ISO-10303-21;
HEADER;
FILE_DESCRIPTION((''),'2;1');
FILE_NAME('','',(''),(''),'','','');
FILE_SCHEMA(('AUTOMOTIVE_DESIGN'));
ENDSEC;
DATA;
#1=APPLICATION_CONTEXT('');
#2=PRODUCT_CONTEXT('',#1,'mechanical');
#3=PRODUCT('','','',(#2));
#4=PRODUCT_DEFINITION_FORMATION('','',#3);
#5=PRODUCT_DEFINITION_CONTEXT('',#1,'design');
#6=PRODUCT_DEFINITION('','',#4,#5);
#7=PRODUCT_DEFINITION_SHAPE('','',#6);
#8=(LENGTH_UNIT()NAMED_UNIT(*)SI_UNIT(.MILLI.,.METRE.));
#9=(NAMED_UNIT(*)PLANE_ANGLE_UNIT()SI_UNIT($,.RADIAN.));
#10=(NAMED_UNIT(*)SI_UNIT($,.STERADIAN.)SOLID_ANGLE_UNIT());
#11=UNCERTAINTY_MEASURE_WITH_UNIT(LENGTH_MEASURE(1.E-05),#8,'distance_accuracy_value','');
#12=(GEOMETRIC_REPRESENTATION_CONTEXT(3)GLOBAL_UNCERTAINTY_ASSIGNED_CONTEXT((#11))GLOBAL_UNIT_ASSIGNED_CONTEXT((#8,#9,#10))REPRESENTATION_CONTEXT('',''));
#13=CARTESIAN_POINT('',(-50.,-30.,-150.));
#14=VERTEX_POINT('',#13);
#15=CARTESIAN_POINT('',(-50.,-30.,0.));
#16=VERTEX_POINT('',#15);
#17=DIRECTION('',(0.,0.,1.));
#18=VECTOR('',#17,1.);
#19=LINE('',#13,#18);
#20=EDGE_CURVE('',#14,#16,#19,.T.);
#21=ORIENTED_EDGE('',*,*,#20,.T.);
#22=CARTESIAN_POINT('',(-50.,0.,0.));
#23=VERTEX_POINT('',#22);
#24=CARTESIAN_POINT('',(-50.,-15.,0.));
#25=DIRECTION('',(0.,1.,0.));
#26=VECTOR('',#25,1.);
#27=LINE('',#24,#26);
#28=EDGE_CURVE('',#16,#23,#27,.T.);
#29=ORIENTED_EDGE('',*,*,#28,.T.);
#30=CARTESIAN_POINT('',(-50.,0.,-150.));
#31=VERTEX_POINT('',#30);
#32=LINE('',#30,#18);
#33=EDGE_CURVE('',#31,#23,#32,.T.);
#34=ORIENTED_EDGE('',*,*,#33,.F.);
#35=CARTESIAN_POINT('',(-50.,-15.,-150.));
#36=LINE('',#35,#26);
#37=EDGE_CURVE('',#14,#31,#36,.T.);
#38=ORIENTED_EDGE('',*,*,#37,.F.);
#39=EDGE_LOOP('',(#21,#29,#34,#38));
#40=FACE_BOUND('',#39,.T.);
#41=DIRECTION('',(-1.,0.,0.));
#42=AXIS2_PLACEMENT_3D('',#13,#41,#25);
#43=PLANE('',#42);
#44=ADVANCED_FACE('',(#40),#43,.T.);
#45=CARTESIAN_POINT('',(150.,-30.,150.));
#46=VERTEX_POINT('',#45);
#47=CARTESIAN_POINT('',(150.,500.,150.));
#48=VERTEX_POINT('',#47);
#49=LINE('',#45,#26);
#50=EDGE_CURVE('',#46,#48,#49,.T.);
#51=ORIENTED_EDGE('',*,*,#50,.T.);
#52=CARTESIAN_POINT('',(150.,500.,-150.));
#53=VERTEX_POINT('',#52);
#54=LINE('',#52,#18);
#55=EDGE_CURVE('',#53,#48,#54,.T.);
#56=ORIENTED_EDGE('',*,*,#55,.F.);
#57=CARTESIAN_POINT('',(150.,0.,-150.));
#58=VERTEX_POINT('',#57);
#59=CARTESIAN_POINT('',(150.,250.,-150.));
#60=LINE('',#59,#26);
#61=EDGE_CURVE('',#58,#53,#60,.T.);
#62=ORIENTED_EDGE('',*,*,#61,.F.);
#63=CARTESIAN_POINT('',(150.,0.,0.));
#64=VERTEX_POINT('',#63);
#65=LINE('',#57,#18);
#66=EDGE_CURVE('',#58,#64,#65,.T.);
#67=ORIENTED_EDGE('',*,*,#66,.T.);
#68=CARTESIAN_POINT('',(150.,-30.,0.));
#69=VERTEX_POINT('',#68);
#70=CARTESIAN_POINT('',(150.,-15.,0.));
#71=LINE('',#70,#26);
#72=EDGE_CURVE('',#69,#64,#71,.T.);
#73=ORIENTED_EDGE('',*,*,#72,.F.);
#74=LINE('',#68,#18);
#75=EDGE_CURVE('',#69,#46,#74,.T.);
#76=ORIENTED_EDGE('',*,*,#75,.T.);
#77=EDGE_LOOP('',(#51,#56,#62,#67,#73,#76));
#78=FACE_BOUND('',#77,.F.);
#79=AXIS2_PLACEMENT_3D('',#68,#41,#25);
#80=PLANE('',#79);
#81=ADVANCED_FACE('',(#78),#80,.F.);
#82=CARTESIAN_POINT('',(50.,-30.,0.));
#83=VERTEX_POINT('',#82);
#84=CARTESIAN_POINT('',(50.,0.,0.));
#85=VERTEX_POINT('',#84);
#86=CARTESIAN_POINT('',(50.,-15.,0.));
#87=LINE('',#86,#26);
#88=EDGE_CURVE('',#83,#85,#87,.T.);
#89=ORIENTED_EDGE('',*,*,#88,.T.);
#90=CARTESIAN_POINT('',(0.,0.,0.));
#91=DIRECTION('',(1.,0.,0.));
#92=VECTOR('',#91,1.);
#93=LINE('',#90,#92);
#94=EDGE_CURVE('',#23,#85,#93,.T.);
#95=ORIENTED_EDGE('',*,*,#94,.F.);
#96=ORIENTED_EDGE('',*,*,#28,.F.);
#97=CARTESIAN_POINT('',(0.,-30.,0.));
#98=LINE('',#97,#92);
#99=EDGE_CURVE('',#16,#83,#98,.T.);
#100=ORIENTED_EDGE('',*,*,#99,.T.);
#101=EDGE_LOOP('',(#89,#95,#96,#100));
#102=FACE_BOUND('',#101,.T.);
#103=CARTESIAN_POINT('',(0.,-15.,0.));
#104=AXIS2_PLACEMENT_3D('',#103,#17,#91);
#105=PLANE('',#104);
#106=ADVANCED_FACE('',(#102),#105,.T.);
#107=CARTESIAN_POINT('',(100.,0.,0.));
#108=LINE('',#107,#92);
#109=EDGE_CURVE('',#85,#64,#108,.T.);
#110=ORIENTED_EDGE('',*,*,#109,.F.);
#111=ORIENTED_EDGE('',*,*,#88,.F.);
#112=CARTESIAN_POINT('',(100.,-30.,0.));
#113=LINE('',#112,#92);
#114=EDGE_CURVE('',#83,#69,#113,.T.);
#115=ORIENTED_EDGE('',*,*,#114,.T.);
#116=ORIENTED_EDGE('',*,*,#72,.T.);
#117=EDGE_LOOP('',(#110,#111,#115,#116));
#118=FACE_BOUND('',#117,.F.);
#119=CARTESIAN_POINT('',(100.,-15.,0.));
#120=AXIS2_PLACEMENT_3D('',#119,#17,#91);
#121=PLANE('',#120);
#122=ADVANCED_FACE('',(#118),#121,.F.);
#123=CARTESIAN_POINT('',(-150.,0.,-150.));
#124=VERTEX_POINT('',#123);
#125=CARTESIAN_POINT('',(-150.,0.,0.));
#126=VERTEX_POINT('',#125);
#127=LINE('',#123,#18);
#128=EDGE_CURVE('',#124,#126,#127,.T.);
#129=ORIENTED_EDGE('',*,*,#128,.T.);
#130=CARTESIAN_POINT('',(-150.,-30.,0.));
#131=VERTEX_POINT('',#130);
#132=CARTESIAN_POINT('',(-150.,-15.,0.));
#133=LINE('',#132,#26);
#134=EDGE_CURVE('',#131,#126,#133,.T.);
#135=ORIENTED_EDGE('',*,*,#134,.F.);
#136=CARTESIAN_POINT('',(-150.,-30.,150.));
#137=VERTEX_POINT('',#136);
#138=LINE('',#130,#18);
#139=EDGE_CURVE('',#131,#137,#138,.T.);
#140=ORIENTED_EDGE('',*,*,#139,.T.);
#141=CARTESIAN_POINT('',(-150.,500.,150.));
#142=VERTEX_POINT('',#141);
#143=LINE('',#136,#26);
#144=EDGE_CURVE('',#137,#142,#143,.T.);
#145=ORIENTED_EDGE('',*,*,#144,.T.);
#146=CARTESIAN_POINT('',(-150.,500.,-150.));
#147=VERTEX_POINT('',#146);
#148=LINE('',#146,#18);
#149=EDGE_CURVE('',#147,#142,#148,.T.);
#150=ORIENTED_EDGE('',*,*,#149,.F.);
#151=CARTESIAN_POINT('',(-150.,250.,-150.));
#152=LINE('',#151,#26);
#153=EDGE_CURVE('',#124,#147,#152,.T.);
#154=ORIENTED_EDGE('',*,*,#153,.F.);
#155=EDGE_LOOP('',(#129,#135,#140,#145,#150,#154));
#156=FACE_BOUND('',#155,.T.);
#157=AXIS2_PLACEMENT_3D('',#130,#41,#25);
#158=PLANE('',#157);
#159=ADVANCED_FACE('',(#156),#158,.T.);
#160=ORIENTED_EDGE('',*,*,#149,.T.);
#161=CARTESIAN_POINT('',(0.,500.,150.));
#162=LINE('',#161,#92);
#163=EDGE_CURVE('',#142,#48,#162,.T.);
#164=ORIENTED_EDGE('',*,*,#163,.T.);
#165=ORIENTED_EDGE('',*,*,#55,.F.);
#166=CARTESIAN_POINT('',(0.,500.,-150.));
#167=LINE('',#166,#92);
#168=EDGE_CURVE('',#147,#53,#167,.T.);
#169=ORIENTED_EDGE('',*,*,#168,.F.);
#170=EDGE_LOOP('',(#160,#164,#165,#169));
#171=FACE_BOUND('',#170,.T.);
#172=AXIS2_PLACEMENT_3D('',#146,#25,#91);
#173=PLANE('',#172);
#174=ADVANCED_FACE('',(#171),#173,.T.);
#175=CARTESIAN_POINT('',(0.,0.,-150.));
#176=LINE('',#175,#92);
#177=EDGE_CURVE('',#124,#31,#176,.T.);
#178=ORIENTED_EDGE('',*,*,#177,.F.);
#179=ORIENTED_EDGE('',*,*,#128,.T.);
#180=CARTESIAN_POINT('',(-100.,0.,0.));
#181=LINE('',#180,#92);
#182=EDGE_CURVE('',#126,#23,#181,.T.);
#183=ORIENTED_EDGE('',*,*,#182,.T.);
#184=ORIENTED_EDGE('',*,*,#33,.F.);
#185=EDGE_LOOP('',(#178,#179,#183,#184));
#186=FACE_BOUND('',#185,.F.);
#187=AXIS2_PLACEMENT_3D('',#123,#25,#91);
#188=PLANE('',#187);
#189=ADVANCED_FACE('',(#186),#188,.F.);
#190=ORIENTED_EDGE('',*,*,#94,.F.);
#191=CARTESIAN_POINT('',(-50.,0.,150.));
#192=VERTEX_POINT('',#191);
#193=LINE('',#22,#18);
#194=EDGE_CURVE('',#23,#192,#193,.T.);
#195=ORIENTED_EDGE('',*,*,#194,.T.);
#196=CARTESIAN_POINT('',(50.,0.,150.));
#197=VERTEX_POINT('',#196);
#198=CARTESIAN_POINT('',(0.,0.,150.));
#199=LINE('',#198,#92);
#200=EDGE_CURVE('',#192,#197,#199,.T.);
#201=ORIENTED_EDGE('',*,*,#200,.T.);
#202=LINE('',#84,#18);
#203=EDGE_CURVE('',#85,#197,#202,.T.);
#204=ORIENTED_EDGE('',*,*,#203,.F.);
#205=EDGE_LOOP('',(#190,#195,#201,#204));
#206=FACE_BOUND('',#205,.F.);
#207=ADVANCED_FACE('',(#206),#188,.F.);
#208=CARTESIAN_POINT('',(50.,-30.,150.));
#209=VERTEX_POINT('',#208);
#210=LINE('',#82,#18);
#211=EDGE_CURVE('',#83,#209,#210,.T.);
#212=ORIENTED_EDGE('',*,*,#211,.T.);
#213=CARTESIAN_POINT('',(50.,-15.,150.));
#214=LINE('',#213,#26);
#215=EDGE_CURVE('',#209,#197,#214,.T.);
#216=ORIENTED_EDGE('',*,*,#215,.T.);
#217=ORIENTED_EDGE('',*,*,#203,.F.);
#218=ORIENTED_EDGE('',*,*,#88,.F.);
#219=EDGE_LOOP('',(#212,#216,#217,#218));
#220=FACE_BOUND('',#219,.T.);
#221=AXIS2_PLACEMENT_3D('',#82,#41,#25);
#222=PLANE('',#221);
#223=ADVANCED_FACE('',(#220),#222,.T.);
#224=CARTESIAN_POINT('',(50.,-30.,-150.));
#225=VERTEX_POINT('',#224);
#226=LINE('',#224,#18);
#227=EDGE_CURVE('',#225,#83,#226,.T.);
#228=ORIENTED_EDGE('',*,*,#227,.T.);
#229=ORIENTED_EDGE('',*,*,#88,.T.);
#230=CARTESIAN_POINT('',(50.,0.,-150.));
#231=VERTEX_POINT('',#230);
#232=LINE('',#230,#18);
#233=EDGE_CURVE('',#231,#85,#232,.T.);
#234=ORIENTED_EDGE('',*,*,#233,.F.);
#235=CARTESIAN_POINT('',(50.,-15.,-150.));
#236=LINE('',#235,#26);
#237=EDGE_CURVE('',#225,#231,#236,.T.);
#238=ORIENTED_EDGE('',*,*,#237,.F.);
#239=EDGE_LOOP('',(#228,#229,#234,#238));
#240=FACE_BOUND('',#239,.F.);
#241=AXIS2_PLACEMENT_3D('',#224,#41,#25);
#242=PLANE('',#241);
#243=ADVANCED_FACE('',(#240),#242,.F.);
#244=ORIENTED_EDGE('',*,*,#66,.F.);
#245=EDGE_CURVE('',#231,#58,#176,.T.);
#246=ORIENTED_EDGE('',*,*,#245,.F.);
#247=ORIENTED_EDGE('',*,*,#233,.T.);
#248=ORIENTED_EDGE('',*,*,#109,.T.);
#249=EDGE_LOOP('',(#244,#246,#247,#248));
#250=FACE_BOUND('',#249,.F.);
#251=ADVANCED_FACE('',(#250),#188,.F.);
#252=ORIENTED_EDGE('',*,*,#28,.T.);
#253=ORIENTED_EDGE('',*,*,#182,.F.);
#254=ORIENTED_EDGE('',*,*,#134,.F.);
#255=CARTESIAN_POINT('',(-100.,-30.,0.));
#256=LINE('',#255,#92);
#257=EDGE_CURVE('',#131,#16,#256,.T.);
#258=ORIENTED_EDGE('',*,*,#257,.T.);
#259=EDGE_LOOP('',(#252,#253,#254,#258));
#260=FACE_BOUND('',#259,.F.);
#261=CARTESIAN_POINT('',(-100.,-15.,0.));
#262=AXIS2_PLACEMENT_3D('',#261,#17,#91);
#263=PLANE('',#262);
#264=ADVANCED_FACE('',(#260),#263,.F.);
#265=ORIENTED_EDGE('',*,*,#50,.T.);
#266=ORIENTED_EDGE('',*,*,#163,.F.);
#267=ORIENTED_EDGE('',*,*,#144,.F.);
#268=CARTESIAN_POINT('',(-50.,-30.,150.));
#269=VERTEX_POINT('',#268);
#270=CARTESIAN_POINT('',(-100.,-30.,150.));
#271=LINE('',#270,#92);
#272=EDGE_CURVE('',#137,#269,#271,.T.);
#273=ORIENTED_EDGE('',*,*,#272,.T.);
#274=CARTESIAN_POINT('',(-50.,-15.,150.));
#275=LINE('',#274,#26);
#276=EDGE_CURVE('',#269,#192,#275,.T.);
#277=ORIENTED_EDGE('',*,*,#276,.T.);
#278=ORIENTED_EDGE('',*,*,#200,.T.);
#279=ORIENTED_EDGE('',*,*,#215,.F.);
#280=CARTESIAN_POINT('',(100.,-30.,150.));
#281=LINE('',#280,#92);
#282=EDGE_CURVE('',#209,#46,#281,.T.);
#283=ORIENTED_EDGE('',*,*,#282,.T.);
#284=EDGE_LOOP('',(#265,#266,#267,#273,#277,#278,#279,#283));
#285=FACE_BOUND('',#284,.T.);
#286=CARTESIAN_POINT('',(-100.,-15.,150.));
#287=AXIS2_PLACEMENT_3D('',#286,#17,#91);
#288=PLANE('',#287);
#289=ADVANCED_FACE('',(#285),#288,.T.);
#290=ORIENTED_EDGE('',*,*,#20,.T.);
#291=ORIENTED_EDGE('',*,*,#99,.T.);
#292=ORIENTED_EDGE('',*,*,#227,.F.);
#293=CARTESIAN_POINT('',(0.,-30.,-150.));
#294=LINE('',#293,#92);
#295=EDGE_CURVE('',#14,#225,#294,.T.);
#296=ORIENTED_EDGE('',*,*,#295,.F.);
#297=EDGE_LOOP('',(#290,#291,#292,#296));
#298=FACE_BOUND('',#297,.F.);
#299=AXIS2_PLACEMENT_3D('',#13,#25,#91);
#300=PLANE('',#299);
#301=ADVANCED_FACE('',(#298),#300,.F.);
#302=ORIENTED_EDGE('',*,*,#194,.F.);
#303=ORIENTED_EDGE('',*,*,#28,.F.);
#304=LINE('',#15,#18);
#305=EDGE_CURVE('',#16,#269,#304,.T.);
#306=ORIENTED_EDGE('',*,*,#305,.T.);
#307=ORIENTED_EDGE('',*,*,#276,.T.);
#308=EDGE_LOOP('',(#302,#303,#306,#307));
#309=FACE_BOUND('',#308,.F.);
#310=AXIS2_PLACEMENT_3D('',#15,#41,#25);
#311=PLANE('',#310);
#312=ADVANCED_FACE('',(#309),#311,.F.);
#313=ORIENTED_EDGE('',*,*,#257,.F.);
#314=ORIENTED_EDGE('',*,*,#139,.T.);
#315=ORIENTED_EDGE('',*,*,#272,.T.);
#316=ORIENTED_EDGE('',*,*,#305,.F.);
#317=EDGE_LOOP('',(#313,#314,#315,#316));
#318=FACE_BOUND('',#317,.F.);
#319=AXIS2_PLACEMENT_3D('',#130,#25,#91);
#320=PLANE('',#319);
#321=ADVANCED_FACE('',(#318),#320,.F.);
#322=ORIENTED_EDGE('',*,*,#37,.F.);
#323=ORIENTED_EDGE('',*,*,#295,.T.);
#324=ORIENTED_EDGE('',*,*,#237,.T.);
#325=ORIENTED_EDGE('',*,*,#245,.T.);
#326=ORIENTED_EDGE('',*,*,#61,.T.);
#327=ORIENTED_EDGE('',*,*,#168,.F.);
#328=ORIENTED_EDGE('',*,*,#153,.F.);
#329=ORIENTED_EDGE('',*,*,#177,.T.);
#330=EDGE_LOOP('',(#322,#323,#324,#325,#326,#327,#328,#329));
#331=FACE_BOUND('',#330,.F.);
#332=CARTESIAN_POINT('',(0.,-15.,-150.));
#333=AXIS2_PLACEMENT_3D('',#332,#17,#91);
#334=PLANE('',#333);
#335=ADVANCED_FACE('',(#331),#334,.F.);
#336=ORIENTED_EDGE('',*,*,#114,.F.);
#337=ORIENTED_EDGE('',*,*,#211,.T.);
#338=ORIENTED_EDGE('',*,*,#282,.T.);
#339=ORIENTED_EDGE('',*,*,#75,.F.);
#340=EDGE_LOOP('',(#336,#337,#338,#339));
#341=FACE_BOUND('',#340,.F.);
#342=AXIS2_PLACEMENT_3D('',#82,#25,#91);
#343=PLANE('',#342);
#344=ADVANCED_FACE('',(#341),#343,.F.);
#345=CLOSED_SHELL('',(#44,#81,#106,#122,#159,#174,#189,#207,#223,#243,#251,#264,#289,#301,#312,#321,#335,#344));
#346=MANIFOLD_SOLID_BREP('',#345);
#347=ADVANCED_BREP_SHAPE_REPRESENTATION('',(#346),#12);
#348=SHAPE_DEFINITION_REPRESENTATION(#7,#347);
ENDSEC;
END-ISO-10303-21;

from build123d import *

# Parameters (mm, degrees)
BOX001_W     = 100
BOX001_H     = 30
BOX001_DEPTH = 150
BOX_W        = 300
BOX_H        = 500
BOX_DEPTH    = 300


with BuildPart() as cube001:
    # Box001 → Box001 (new body)
    with BuildSketch(Plane(origin=(50, -30, 0), x_dir=(1, 0, 0), z_dir=(0, 0, 1))):
        with Locations((50, 15)):
            Rectangle(BOX001_W, BOX001_H)
    extrude(amount=BOX001_DEPTH)


with BuildPart() as cube002:
    # Clone base: copy of Cube001
    add(cube001.part)


with BuildPart() as cube002_1:
    # Clone placement: moved
    add(cube002.part.moved(Location((-200, 0, 0))))


with BuildPart() as cube003:
    # Clone001 base: copy of Cube002
    add(cube002_1.part)


with BuildPart() as cube003_1:
    # Clone001 placement: moved
    add(cube003.part.moved(Location((100, 0, -150))))


with BuildPart() as fusion:
    # Box → Box (new body)
    with BuildSketch(Plane(origin=(-150, 0, -150), x_dir=(1, 0, 0), z_dir=(0, 0, 1))):
        with Locations((150, 250)):
            Rectangle(BOX_W, BOX_H)
    extrude(amount=BOX_DEPTH)

    # Fusion: union Cube001, Cube002, Cube003
    add(cube001.part)
    add(cube002_1.part)
    add(cube003_1.part)


solid = fusion.part
